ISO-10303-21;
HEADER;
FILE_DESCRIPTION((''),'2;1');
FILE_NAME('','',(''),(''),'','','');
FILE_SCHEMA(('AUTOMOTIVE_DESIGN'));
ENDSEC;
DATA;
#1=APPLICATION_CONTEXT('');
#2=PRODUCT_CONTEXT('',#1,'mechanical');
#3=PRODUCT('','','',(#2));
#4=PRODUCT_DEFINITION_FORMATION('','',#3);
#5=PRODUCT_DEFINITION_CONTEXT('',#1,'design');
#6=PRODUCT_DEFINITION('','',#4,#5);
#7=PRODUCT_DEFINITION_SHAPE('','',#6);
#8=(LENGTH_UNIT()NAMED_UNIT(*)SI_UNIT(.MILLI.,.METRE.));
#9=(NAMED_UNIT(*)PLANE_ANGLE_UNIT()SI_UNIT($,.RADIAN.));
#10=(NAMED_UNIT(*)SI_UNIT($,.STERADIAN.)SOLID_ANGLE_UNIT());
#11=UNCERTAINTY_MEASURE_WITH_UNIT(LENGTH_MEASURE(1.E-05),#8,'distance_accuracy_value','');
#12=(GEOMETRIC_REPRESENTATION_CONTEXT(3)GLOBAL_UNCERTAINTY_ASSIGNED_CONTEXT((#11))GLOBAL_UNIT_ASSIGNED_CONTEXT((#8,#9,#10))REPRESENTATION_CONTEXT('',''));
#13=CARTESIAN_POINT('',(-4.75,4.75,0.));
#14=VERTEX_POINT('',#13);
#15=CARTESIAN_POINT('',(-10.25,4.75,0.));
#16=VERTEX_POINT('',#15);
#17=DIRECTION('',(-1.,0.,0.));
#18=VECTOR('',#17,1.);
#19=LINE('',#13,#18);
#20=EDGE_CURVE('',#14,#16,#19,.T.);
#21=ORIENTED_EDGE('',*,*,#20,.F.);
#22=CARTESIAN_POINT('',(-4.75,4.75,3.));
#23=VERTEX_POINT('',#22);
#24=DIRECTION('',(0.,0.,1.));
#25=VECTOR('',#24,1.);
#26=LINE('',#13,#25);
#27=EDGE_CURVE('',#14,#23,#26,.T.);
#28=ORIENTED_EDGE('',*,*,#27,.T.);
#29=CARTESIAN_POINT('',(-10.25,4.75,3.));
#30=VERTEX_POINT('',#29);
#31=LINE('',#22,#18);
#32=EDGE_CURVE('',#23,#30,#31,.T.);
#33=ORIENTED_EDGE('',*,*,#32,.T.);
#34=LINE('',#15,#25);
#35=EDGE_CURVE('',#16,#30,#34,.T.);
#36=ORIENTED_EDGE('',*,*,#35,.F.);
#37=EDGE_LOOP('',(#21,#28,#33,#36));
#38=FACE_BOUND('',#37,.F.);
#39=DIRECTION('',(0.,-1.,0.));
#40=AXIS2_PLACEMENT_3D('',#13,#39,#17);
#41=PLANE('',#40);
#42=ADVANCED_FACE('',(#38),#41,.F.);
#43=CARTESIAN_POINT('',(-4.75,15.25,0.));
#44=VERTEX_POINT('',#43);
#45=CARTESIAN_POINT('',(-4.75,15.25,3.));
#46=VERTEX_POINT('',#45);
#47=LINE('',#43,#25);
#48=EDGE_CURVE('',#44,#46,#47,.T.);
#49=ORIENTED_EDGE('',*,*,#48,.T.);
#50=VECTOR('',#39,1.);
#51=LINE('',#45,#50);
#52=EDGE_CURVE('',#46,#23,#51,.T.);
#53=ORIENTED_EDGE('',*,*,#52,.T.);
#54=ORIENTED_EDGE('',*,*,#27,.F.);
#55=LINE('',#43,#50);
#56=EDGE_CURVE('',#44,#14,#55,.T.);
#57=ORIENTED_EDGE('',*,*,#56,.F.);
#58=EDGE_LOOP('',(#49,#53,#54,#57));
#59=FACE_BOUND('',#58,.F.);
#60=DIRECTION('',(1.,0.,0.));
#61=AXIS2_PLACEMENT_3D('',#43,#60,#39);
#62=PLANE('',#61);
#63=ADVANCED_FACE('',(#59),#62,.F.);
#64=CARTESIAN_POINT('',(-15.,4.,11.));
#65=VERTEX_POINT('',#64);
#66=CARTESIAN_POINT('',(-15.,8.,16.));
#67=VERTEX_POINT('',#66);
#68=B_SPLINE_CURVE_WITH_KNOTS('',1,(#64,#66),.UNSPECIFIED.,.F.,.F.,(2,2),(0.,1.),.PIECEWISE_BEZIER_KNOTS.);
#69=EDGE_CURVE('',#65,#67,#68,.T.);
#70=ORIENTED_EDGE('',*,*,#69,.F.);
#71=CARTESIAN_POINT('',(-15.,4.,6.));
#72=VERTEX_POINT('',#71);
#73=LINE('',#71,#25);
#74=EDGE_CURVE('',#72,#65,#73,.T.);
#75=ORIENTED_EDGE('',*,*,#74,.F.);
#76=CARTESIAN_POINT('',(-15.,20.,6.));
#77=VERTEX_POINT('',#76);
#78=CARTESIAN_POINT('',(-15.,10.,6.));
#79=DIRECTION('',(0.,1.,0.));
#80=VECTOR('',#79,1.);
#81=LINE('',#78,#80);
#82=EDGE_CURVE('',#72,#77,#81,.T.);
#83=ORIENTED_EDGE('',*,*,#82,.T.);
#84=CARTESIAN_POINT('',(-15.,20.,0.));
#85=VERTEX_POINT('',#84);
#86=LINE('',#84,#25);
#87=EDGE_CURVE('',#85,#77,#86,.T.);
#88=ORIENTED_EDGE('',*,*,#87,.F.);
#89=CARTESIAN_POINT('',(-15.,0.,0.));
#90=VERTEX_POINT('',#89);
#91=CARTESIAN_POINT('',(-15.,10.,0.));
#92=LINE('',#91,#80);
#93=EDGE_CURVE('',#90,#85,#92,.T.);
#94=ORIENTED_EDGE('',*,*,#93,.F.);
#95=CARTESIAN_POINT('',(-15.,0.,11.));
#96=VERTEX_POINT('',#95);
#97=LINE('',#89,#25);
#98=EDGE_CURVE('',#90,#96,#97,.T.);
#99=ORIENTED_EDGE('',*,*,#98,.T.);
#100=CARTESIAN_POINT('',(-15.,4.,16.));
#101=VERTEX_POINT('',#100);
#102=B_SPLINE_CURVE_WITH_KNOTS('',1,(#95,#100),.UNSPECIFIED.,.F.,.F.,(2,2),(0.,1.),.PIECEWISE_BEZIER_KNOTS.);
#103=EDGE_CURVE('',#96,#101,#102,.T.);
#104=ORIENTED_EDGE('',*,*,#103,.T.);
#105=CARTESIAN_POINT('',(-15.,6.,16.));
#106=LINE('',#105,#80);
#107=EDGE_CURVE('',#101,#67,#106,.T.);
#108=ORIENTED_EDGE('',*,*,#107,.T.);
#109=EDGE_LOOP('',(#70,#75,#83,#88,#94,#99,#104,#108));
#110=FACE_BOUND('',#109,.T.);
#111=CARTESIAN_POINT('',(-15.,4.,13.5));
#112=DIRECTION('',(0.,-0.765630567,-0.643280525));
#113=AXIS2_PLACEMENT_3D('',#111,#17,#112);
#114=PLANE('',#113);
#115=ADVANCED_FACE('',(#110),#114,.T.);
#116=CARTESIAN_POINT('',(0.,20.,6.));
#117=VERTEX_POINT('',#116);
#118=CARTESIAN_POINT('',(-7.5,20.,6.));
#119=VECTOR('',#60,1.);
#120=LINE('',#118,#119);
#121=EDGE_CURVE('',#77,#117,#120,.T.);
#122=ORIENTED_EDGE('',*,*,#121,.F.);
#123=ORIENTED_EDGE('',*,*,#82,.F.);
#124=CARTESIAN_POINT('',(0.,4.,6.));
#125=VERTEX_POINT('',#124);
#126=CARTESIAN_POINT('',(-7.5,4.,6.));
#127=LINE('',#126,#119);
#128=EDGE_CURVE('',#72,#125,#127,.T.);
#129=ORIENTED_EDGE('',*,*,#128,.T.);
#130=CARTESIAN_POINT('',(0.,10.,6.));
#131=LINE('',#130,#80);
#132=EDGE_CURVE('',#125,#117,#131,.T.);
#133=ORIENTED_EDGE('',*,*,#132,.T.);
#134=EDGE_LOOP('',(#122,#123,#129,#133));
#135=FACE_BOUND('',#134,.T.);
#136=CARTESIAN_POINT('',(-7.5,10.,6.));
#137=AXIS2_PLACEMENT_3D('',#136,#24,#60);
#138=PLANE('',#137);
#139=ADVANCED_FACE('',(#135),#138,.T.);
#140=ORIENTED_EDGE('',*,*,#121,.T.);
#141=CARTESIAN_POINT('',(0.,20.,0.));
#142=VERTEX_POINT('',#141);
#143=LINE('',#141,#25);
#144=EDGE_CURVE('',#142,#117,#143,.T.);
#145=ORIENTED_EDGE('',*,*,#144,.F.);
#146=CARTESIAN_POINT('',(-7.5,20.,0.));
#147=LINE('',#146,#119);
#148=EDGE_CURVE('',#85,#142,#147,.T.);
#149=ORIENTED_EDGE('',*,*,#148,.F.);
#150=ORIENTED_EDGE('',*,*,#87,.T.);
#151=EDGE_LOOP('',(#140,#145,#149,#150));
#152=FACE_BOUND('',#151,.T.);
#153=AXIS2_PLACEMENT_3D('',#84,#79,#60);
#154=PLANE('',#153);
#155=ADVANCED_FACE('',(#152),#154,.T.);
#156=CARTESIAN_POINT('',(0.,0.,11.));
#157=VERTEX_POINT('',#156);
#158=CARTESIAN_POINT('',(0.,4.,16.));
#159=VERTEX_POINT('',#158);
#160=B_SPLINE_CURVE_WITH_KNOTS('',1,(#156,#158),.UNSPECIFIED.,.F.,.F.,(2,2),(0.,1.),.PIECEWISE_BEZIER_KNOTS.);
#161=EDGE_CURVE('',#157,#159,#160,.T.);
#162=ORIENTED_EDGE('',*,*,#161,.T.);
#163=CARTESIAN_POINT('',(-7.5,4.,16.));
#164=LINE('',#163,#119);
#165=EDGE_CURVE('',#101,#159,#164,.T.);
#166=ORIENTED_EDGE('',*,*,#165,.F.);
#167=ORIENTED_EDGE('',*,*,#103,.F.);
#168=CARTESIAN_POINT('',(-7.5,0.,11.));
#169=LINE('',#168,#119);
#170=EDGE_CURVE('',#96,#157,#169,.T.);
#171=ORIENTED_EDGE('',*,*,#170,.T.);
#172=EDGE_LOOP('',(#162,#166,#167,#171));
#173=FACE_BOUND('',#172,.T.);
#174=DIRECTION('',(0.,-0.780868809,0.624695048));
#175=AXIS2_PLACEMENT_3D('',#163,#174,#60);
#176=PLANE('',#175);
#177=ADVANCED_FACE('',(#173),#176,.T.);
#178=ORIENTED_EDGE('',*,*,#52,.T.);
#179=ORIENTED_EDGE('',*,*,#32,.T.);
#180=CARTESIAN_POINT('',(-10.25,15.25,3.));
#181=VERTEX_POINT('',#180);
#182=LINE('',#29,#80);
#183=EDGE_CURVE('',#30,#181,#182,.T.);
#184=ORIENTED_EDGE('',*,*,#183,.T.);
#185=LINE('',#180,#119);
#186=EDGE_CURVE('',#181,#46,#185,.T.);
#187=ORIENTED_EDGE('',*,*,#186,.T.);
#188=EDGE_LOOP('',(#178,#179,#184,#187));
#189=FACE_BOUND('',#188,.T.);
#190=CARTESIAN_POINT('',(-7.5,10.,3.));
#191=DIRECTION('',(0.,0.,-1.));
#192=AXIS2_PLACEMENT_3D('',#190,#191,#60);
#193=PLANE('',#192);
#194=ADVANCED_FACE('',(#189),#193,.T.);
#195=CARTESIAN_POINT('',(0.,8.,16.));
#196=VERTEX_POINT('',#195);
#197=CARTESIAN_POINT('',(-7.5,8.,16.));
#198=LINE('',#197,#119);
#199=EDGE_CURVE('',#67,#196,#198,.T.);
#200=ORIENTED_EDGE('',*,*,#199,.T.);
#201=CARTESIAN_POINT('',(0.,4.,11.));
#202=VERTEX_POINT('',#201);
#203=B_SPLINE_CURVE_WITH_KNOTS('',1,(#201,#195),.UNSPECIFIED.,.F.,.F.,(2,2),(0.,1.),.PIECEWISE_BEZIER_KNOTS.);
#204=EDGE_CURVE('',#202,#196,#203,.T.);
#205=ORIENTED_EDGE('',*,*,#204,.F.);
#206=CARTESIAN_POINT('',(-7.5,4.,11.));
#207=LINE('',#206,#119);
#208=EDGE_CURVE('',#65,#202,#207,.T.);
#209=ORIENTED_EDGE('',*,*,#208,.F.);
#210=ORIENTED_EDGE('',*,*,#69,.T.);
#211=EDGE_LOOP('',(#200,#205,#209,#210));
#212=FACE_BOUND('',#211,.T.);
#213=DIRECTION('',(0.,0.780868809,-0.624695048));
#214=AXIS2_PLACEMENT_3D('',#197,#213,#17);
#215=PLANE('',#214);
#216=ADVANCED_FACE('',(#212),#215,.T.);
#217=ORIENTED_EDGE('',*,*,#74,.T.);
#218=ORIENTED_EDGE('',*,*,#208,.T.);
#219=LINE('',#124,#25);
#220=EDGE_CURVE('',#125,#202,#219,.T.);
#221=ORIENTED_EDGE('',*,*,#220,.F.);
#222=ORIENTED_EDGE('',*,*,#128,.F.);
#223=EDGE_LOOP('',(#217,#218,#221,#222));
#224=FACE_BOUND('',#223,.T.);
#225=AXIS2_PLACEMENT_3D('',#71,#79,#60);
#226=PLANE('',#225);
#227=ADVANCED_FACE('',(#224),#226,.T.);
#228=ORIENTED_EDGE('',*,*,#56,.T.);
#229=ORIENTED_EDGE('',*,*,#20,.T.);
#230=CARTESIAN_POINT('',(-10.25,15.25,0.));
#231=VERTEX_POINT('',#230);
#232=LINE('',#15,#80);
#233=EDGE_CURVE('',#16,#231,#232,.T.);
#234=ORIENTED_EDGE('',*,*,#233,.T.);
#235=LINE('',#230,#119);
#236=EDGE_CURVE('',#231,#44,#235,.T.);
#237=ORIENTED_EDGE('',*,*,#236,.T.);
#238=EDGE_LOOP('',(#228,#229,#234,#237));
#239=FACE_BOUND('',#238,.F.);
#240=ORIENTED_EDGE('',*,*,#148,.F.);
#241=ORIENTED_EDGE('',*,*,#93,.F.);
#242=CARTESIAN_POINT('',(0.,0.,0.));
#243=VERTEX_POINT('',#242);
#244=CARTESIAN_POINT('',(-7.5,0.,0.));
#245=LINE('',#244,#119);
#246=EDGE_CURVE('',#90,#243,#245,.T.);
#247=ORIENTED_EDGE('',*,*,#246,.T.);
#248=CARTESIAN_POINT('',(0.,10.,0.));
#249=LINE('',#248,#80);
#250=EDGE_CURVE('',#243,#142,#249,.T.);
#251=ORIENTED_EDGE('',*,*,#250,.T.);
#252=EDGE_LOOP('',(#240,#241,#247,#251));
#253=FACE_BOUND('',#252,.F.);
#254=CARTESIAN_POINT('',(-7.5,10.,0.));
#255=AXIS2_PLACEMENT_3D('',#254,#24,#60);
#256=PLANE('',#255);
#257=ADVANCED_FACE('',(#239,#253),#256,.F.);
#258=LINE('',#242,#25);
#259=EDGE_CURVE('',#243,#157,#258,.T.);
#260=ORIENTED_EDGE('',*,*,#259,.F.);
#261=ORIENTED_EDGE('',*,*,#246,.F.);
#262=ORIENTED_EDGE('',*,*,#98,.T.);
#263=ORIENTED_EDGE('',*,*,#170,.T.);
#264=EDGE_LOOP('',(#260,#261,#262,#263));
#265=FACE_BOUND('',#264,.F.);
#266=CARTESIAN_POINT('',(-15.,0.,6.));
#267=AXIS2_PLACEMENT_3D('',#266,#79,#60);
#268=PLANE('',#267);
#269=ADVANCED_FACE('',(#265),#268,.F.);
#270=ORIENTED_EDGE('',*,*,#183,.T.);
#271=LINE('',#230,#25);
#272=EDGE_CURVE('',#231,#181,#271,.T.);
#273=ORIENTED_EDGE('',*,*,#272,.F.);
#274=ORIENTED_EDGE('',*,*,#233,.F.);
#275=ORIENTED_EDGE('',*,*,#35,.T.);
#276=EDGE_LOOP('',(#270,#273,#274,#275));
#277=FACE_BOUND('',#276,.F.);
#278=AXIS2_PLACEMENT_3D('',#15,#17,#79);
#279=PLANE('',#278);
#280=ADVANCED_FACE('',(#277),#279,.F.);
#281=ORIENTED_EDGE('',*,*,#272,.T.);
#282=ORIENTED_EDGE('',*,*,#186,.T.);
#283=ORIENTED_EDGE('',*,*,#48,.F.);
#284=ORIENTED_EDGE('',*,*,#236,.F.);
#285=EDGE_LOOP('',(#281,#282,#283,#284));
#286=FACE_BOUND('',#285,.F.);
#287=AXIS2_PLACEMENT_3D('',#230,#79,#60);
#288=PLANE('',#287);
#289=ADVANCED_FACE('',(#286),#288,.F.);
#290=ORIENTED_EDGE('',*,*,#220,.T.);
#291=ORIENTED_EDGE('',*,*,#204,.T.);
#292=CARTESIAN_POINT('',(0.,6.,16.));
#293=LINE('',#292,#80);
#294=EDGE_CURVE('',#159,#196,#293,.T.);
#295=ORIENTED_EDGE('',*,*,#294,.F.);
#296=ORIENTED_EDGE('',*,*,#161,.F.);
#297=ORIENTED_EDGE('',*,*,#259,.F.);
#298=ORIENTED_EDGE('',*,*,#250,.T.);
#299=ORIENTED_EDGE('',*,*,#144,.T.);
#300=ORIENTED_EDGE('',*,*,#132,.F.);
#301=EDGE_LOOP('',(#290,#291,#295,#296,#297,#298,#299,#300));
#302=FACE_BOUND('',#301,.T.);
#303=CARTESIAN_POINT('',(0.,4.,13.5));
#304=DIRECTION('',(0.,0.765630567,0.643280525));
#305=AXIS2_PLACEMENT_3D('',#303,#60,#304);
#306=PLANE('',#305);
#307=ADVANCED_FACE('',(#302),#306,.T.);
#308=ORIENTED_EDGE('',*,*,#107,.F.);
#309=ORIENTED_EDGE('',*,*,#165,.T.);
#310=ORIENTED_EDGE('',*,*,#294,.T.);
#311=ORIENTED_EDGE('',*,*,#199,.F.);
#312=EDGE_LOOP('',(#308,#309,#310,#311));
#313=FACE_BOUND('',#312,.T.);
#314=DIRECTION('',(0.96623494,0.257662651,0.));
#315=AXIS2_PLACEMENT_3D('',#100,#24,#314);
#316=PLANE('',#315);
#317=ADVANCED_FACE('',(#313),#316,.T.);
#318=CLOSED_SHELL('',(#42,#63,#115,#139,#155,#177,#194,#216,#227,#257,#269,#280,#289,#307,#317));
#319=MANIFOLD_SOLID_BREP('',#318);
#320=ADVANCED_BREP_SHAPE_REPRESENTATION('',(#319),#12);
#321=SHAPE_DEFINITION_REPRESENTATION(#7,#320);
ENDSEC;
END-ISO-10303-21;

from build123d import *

# Parameters (mm, degrees)
F0_W      = 15
F0_H      = 20
F1_DEPTH  = 6
F3_DEPTH  = 3
F4_W      = 15
F4_H      = 4
F5_DEPTH  = 5
F5_FACE_W = 15
F5_FACE_H = 4
F7_W      = 15
F7_H      = 4


with BuildPart() as f1:
    # F0 (on Top) → F1 (new body)
    with BuildSketch(Plane.XY):
        with Locations((-7.5, 10)):
            Rectangle(F0_W, F0_H)
    extrude(amount=F1_DEPTH)

    # F2 (on face) → F3 (cut)
    with BuildSketch(Plane(origin=(0, 0, 0), x_dir=(1, 0, 0), z_dir=(0, 0, -1))):
        Polygon((-7.5, -15.25), (-4.75, -15.25), (-4.75, -4.75), (-7.5, -4.75), (-10.25, -4.75), (-10.25, -15.25), align=None)
    extrude(amount=-F3_DEPTH, mode=Mode.SUBTRACT)

    # F4 (on face) → F5 (join)
    with BuildSketch(Plane.XY.offset(6)):
        with Locations((-7.5, 2)):
            Rectangle(F4_W, F4_H)
    extrude(amount=F5_DEPTH)

    # F5_face (on face) → F8 section 0
    with BuildSketch(Plane(origin=(-7.5, 2, 11), x_dir=(1, 0, 0), z_dir=(0, 0, 1))):
        Rectangle(F5_FACE_W, F5_FACE_H)
    # F7 (on offset) → F8 section 1
    with BuildSketch(Plane.XY.offset(16)):
        with Locations((-7.5, 6)):
            Rectangle(F7_W, F7_H)
    loft()


solid = f1.part
